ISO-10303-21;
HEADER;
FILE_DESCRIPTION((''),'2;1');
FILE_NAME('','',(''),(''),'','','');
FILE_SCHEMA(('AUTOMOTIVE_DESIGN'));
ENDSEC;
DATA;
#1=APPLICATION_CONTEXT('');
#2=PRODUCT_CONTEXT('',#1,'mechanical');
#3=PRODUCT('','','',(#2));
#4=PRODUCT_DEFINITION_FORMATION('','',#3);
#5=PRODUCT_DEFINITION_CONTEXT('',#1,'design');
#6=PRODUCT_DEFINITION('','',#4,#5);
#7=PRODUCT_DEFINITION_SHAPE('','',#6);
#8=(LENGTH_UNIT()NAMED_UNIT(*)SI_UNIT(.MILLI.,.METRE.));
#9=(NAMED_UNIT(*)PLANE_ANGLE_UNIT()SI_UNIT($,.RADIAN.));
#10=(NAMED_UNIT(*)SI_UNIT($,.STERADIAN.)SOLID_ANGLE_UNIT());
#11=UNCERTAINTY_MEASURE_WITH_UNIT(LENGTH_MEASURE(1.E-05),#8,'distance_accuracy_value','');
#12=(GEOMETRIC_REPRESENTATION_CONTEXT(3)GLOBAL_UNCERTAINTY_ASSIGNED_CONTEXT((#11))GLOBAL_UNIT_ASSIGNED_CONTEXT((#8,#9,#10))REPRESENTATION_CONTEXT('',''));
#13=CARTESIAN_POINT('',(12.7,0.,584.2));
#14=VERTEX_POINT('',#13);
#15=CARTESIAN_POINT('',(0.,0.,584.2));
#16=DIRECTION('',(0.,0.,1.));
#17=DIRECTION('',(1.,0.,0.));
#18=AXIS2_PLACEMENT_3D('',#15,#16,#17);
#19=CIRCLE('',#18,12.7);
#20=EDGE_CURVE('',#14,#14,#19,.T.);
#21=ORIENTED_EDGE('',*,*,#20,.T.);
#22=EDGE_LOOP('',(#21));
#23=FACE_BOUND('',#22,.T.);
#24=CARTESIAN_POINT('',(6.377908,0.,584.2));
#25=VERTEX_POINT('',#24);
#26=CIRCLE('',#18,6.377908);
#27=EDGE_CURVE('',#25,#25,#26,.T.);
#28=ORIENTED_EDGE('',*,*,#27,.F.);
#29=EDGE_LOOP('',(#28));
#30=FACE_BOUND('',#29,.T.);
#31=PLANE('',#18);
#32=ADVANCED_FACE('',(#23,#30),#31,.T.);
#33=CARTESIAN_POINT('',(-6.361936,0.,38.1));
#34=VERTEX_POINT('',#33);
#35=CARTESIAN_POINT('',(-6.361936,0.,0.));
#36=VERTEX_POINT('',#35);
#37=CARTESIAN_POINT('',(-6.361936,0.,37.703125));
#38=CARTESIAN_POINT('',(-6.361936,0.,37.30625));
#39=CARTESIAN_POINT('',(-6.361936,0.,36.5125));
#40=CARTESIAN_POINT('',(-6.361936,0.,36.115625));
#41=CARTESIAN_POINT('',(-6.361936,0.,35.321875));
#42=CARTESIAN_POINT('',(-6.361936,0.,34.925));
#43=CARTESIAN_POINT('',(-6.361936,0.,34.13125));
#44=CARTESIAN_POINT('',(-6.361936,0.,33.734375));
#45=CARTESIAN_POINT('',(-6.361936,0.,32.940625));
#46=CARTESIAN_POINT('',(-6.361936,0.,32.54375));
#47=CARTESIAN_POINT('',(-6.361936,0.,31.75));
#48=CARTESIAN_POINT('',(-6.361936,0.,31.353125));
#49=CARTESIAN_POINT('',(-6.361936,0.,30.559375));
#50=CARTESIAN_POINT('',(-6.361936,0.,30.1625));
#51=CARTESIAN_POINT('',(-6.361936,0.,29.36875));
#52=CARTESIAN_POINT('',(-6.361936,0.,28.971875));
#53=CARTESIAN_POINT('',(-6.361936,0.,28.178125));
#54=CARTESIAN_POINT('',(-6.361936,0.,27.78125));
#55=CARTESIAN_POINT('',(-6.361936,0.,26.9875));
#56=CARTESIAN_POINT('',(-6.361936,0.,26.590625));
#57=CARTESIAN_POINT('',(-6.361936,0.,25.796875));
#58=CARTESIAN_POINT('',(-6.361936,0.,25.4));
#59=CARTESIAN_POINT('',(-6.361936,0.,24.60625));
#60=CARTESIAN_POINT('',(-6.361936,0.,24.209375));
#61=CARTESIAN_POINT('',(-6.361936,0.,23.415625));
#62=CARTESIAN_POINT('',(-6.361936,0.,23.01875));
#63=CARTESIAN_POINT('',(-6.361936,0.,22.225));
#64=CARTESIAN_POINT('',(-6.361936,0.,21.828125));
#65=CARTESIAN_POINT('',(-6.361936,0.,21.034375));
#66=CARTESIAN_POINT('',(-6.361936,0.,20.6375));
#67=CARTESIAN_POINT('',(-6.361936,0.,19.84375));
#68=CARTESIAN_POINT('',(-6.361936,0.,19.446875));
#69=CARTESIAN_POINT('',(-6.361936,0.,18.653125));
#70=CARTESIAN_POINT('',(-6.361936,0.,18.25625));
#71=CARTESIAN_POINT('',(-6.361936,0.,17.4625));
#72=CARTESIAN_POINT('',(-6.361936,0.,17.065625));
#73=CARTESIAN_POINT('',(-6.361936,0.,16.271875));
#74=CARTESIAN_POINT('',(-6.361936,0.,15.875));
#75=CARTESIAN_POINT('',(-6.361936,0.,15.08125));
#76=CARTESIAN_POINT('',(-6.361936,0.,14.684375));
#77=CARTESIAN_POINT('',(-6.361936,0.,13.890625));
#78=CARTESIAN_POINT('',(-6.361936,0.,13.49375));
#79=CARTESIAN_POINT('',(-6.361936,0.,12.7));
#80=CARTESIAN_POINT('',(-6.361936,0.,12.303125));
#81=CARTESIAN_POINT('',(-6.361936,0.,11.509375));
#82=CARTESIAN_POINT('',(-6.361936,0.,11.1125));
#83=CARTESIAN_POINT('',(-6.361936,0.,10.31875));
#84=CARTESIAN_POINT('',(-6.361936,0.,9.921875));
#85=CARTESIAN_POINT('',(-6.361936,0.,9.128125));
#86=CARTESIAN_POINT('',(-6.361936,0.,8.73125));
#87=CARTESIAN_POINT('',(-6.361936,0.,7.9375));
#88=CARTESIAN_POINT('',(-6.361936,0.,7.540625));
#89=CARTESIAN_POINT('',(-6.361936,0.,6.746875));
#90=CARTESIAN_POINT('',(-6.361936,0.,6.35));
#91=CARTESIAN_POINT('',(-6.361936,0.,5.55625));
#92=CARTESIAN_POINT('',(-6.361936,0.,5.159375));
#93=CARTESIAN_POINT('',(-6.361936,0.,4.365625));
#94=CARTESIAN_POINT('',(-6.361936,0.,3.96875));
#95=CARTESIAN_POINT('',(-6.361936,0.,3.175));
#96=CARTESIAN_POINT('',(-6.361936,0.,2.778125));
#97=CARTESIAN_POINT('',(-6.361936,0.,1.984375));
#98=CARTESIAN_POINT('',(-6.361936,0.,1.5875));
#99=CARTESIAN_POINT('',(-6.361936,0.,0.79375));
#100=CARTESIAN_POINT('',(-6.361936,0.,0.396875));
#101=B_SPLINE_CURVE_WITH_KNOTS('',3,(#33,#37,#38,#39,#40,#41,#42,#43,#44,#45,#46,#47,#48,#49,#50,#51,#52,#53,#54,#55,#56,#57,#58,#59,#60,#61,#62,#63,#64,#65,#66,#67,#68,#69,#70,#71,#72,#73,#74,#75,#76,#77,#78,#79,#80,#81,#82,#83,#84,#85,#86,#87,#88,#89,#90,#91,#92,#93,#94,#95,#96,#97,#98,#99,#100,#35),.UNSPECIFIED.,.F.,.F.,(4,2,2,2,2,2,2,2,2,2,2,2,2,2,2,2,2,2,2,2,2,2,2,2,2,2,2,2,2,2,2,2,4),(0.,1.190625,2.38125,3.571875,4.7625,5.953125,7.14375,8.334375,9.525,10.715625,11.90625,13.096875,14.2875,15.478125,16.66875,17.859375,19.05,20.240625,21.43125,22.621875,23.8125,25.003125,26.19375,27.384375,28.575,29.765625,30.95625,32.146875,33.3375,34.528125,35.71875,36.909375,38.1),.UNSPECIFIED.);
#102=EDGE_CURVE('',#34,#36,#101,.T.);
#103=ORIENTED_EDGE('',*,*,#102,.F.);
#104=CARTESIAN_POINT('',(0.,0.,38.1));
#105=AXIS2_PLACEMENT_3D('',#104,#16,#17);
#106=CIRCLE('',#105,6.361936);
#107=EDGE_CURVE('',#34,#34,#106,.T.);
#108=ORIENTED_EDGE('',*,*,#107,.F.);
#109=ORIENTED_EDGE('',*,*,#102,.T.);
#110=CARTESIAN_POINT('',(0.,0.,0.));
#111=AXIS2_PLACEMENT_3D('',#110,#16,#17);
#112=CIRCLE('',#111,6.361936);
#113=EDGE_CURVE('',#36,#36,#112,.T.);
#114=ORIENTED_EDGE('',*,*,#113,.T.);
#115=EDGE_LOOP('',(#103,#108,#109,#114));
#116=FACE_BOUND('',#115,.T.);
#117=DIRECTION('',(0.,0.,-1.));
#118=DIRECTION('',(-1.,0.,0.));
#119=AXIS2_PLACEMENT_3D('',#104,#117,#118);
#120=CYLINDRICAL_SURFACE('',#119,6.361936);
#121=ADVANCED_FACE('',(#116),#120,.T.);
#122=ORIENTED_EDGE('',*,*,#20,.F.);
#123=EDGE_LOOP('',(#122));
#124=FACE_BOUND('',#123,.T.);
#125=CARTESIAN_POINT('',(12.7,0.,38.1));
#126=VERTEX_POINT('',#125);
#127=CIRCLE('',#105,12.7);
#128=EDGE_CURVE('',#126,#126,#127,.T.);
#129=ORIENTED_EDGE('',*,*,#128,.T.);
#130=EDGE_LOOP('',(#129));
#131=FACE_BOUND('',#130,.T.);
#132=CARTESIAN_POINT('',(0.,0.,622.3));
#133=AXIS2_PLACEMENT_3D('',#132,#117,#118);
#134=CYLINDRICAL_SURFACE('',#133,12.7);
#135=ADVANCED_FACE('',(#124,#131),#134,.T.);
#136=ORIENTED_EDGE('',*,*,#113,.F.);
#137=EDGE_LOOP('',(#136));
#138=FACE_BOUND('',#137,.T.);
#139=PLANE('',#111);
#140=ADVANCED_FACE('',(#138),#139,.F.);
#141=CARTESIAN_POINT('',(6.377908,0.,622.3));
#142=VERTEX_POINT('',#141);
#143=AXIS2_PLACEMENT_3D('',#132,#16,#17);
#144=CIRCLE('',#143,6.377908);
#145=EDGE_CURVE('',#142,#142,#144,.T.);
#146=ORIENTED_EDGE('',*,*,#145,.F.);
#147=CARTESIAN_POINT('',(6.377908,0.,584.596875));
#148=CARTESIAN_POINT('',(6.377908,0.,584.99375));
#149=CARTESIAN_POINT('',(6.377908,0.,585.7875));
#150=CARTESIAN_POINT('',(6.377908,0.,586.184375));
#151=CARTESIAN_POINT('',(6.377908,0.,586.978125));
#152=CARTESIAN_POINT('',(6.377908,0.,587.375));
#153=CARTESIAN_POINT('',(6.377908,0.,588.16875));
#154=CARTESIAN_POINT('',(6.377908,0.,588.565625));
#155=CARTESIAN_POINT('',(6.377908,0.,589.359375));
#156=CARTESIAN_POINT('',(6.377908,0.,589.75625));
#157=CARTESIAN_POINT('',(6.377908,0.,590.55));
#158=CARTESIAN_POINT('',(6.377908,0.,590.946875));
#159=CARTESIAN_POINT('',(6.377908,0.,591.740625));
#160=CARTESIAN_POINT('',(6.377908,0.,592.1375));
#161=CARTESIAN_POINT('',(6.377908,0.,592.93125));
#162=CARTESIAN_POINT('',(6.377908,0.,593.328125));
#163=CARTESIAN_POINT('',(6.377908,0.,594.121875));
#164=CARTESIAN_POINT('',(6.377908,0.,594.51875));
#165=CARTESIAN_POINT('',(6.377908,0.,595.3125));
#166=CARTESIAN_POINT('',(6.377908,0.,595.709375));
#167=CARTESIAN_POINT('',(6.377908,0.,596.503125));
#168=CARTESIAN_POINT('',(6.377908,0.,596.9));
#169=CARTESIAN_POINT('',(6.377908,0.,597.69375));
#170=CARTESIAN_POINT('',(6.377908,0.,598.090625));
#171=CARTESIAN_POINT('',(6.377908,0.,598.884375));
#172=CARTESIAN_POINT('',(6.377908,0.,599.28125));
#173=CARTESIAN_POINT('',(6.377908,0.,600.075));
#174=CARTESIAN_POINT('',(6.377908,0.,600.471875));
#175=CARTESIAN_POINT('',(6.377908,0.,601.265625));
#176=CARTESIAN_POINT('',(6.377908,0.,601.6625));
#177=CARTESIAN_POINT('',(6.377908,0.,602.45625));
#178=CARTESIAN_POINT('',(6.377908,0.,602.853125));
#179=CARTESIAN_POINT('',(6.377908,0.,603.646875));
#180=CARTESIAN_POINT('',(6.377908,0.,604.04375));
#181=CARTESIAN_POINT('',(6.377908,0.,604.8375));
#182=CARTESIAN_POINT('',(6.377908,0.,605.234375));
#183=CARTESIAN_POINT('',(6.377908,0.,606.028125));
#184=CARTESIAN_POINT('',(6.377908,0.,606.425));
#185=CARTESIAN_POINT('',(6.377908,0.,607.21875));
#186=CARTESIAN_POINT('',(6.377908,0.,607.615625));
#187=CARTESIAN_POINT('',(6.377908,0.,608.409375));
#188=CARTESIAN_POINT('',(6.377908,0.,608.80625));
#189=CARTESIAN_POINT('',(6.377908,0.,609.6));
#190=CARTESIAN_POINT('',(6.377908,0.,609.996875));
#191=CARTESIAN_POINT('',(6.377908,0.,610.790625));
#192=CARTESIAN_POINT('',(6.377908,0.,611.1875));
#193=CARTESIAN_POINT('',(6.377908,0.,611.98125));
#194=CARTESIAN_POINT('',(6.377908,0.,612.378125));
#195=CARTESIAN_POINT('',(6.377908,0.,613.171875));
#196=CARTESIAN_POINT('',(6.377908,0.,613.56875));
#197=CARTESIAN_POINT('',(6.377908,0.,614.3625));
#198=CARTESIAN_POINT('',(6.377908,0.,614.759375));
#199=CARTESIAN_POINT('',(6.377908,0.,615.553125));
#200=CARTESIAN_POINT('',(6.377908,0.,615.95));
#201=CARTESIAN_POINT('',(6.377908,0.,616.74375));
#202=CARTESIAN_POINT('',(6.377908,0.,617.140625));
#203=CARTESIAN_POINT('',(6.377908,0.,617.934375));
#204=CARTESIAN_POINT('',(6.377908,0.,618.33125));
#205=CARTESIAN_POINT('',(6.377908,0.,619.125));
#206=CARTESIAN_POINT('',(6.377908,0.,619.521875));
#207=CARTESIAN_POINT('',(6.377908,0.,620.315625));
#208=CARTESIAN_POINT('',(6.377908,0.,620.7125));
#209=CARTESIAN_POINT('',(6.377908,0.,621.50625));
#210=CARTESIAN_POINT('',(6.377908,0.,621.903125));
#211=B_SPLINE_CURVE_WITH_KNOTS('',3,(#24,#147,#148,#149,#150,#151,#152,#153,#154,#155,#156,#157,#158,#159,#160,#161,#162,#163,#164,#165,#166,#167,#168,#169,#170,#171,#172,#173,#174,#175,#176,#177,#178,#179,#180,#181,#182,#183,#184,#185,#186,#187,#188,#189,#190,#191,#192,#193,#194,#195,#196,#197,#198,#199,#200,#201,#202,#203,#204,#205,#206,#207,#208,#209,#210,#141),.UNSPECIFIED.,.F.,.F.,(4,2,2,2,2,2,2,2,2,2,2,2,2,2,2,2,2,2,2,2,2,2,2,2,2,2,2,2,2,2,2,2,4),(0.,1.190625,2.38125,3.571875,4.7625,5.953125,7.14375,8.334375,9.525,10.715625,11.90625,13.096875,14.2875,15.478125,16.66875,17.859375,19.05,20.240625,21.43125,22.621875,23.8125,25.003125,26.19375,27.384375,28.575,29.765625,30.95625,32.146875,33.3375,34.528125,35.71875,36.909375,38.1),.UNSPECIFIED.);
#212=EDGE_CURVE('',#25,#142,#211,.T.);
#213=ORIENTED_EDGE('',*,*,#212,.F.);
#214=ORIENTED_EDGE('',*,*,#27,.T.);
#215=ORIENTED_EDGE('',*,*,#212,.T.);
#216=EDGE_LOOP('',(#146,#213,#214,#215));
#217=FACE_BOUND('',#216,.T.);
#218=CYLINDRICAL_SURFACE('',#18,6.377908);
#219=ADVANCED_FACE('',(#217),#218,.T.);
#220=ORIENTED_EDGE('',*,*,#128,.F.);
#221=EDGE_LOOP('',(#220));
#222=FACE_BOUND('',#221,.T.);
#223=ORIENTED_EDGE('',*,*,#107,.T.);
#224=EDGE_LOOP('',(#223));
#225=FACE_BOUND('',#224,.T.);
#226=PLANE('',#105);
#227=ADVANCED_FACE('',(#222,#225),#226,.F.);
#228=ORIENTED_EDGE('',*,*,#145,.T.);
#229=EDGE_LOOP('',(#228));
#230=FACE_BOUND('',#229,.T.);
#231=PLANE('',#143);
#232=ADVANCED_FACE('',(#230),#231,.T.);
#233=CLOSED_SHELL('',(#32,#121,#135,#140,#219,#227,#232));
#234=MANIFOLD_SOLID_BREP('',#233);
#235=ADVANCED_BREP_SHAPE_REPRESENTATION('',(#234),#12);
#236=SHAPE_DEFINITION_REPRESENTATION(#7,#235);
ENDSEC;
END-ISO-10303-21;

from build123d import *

# Parameters (mm, degrees)
SKETCH1_R           = 12.7
BOSS_EXTRUDE1_DEPTH = 622.3
SKETCH2_OUTSIDE_W   = 152.068
SKETCH2_OUTSIDE_H   = 152.068
SKETCH2_OUTSIDE_R   = 6.361935525
CUT_EXTRUDE1_DEPTH  = 38.1
SKETCH5_OUTSIDE_W   = 152.068
SKETCH5_OUTSIDE_H   = 152.068
SKETCH5_OUTSIDE_R   = 6.377907631
CUT_EXTRUDE4_DEPTH  = 38.1


with BuildPart() as part:
    # Sketch1 → Boss-Extrude1 (new body)
    with BuildSketch(Plane.XY):
        Circle(SKETCH1_R)
    extrude(amount=BOSS_EXTRUDE1_DEPTH)

    # Sketch2 outside → Cut-Extrude1 (cut)
    with BuildSketch(Plane.XY):
        Rectangle(SKETCH2_OUTSIDE_W, SKETCH2_OUTSIDE_H)
        with Locations(Location((0, 0, 0), (0, 0, 180))):
            Circle(SKETCH2_OUTSIDE_R, mode=Mode.SUBTRACT)
    extrude(amount=CUT_EXTRUDE1_DEPTH, mode=Mode.SUBTRACT)

    # Sketch5 outside → Cut-Extrude4 (cut)
    with BuildSketch(Plane.XY.offset(622.3)):
        Rectangle(SKETCH5_OUTSIDE_W, SKETCH5_OUTSIDE_H)
        Circle(SKETCH5_OUTSIDE_R, mode=Mode.SUBTRACT)
    extrude(amount=-CUT_EXTRUDE4_DEPTH, mode=Mode.SUBTRACT)


solid = part.part
